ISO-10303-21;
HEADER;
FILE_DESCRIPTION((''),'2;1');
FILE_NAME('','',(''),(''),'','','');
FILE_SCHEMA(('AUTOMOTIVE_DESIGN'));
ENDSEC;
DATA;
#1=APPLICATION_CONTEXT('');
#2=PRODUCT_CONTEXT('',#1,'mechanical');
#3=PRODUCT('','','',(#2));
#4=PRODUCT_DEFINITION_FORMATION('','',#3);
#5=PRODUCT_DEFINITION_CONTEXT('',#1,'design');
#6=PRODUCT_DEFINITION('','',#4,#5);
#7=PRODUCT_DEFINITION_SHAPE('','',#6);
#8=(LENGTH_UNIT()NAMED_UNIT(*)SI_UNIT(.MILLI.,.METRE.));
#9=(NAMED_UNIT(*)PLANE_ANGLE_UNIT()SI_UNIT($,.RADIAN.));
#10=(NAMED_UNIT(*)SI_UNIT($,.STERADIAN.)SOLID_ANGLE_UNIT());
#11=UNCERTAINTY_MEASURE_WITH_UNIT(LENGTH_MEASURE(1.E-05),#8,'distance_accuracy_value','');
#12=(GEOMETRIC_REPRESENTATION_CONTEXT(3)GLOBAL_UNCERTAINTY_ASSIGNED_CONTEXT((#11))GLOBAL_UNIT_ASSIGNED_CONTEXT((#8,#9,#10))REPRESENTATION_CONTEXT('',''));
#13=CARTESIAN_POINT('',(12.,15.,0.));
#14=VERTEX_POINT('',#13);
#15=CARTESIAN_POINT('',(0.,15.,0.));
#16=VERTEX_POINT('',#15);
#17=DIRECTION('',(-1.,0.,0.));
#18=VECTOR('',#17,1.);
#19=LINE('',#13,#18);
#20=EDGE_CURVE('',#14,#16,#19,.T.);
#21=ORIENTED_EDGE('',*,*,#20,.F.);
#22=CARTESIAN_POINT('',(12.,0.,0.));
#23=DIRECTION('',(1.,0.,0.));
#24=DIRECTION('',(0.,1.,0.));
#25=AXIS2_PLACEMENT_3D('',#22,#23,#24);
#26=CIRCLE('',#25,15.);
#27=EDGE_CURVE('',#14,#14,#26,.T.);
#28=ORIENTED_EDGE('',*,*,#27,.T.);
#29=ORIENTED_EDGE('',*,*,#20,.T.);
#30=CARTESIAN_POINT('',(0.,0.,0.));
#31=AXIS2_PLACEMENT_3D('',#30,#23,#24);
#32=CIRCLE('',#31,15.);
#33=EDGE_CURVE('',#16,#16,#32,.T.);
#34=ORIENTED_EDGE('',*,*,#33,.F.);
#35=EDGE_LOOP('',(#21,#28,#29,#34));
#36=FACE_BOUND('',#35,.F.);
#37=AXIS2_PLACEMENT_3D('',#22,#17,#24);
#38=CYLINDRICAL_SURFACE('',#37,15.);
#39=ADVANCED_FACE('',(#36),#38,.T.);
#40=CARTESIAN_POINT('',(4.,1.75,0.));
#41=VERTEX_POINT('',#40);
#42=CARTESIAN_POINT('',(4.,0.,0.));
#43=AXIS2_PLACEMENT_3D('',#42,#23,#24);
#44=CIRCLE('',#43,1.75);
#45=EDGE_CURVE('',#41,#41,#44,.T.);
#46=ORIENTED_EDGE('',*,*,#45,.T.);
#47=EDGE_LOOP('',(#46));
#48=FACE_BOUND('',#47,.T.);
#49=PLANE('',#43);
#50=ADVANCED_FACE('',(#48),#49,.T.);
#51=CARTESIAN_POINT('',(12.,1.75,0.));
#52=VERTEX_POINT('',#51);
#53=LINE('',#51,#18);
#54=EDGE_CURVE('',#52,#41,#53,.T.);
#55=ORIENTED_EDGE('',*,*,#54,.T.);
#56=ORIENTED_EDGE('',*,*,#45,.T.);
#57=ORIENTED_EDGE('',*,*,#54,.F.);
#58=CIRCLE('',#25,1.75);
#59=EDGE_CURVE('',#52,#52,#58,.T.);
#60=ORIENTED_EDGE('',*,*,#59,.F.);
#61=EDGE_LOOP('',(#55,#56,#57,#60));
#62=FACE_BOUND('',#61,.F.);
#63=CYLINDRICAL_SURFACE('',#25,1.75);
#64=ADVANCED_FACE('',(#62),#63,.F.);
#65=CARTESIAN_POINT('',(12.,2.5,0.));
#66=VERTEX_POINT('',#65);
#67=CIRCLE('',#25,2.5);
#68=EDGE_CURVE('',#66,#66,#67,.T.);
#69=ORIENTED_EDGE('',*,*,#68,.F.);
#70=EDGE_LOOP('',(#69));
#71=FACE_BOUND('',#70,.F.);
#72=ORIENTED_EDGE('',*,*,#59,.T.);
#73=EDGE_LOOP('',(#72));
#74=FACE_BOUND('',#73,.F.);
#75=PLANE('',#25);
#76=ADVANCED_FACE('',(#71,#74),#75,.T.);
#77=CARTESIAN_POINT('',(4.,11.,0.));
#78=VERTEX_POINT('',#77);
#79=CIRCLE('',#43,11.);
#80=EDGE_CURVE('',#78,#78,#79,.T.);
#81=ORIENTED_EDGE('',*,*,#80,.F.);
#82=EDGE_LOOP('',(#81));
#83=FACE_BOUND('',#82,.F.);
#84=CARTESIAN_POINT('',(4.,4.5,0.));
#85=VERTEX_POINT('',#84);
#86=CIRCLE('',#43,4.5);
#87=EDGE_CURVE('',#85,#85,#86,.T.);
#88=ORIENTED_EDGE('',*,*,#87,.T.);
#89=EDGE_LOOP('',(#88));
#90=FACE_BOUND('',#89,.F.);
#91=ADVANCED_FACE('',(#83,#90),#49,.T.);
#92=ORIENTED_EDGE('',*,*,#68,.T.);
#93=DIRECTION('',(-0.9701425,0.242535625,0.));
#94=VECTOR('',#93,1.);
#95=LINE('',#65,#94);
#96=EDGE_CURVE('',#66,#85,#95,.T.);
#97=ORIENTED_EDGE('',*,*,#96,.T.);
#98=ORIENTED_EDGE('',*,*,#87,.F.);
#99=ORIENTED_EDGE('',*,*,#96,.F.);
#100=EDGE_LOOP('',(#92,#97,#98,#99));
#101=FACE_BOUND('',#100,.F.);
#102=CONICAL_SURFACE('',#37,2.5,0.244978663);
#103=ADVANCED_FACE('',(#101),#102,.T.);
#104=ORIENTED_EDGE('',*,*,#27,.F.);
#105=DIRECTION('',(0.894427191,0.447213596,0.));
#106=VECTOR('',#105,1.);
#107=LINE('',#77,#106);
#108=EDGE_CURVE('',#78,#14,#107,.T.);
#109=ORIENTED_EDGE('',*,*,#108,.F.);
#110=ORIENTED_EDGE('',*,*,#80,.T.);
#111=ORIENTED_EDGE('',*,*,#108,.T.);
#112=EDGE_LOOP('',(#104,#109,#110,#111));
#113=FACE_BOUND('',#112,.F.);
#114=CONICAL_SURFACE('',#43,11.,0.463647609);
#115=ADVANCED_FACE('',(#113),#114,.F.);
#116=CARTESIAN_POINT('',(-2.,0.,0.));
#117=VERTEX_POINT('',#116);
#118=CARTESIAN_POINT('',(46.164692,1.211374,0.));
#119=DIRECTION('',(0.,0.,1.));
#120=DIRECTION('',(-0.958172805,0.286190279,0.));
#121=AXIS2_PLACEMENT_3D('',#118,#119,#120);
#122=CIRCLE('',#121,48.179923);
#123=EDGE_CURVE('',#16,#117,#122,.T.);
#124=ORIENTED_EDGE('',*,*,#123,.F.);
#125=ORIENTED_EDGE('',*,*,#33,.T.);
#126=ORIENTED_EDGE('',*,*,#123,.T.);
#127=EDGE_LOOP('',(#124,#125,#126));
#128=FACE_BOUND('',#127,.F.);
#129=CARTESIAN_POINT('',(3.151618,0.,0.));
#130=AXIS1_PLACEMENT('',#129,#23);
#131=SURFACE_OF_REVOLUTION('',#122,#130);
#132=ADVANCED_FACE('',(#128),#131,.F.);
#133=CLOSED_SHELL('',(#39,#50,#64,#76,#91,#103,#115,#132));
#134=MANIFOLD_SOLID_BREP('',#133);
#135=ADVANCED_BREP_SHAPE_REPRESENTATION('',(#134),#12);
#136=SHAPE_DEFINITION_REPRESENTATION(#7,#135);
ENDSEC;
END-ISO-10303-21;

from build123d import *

# Parameters (mm, degrees)
F2_R     = 1.75
F3_DEPTH = 8


with BuildPart() as f1:
    # F0 (on Top) → F1 (revolve)
    with BuildSketch(Plane.XY):
        with BuildLine():
            Line((12, 15), (0, 15))
            ThreePointArc((0, 15), (-1.592592, 7.579012), (-2, 0))
            Line((-2, 0), (12, 0))
            Line((12, 0), (12, 2.5))
            Line((12, 2.5), (4, 4.5))
            Line((4, 4.5), (4, 11))
            Line((4, 11), (12, 15))
        make_face()
    revolve(axis=Axis((3.151618, 0, 0), (1, 0, 0)))

    # F2 (on face) → F3 (cut)
    with BuildSketch(Plane.YZ.offset(12)):
        Circle(F2_R)
    extrude(amount=-F3_DEPTH, mode=Mode.SUBTRACT)


solid = f1.part
